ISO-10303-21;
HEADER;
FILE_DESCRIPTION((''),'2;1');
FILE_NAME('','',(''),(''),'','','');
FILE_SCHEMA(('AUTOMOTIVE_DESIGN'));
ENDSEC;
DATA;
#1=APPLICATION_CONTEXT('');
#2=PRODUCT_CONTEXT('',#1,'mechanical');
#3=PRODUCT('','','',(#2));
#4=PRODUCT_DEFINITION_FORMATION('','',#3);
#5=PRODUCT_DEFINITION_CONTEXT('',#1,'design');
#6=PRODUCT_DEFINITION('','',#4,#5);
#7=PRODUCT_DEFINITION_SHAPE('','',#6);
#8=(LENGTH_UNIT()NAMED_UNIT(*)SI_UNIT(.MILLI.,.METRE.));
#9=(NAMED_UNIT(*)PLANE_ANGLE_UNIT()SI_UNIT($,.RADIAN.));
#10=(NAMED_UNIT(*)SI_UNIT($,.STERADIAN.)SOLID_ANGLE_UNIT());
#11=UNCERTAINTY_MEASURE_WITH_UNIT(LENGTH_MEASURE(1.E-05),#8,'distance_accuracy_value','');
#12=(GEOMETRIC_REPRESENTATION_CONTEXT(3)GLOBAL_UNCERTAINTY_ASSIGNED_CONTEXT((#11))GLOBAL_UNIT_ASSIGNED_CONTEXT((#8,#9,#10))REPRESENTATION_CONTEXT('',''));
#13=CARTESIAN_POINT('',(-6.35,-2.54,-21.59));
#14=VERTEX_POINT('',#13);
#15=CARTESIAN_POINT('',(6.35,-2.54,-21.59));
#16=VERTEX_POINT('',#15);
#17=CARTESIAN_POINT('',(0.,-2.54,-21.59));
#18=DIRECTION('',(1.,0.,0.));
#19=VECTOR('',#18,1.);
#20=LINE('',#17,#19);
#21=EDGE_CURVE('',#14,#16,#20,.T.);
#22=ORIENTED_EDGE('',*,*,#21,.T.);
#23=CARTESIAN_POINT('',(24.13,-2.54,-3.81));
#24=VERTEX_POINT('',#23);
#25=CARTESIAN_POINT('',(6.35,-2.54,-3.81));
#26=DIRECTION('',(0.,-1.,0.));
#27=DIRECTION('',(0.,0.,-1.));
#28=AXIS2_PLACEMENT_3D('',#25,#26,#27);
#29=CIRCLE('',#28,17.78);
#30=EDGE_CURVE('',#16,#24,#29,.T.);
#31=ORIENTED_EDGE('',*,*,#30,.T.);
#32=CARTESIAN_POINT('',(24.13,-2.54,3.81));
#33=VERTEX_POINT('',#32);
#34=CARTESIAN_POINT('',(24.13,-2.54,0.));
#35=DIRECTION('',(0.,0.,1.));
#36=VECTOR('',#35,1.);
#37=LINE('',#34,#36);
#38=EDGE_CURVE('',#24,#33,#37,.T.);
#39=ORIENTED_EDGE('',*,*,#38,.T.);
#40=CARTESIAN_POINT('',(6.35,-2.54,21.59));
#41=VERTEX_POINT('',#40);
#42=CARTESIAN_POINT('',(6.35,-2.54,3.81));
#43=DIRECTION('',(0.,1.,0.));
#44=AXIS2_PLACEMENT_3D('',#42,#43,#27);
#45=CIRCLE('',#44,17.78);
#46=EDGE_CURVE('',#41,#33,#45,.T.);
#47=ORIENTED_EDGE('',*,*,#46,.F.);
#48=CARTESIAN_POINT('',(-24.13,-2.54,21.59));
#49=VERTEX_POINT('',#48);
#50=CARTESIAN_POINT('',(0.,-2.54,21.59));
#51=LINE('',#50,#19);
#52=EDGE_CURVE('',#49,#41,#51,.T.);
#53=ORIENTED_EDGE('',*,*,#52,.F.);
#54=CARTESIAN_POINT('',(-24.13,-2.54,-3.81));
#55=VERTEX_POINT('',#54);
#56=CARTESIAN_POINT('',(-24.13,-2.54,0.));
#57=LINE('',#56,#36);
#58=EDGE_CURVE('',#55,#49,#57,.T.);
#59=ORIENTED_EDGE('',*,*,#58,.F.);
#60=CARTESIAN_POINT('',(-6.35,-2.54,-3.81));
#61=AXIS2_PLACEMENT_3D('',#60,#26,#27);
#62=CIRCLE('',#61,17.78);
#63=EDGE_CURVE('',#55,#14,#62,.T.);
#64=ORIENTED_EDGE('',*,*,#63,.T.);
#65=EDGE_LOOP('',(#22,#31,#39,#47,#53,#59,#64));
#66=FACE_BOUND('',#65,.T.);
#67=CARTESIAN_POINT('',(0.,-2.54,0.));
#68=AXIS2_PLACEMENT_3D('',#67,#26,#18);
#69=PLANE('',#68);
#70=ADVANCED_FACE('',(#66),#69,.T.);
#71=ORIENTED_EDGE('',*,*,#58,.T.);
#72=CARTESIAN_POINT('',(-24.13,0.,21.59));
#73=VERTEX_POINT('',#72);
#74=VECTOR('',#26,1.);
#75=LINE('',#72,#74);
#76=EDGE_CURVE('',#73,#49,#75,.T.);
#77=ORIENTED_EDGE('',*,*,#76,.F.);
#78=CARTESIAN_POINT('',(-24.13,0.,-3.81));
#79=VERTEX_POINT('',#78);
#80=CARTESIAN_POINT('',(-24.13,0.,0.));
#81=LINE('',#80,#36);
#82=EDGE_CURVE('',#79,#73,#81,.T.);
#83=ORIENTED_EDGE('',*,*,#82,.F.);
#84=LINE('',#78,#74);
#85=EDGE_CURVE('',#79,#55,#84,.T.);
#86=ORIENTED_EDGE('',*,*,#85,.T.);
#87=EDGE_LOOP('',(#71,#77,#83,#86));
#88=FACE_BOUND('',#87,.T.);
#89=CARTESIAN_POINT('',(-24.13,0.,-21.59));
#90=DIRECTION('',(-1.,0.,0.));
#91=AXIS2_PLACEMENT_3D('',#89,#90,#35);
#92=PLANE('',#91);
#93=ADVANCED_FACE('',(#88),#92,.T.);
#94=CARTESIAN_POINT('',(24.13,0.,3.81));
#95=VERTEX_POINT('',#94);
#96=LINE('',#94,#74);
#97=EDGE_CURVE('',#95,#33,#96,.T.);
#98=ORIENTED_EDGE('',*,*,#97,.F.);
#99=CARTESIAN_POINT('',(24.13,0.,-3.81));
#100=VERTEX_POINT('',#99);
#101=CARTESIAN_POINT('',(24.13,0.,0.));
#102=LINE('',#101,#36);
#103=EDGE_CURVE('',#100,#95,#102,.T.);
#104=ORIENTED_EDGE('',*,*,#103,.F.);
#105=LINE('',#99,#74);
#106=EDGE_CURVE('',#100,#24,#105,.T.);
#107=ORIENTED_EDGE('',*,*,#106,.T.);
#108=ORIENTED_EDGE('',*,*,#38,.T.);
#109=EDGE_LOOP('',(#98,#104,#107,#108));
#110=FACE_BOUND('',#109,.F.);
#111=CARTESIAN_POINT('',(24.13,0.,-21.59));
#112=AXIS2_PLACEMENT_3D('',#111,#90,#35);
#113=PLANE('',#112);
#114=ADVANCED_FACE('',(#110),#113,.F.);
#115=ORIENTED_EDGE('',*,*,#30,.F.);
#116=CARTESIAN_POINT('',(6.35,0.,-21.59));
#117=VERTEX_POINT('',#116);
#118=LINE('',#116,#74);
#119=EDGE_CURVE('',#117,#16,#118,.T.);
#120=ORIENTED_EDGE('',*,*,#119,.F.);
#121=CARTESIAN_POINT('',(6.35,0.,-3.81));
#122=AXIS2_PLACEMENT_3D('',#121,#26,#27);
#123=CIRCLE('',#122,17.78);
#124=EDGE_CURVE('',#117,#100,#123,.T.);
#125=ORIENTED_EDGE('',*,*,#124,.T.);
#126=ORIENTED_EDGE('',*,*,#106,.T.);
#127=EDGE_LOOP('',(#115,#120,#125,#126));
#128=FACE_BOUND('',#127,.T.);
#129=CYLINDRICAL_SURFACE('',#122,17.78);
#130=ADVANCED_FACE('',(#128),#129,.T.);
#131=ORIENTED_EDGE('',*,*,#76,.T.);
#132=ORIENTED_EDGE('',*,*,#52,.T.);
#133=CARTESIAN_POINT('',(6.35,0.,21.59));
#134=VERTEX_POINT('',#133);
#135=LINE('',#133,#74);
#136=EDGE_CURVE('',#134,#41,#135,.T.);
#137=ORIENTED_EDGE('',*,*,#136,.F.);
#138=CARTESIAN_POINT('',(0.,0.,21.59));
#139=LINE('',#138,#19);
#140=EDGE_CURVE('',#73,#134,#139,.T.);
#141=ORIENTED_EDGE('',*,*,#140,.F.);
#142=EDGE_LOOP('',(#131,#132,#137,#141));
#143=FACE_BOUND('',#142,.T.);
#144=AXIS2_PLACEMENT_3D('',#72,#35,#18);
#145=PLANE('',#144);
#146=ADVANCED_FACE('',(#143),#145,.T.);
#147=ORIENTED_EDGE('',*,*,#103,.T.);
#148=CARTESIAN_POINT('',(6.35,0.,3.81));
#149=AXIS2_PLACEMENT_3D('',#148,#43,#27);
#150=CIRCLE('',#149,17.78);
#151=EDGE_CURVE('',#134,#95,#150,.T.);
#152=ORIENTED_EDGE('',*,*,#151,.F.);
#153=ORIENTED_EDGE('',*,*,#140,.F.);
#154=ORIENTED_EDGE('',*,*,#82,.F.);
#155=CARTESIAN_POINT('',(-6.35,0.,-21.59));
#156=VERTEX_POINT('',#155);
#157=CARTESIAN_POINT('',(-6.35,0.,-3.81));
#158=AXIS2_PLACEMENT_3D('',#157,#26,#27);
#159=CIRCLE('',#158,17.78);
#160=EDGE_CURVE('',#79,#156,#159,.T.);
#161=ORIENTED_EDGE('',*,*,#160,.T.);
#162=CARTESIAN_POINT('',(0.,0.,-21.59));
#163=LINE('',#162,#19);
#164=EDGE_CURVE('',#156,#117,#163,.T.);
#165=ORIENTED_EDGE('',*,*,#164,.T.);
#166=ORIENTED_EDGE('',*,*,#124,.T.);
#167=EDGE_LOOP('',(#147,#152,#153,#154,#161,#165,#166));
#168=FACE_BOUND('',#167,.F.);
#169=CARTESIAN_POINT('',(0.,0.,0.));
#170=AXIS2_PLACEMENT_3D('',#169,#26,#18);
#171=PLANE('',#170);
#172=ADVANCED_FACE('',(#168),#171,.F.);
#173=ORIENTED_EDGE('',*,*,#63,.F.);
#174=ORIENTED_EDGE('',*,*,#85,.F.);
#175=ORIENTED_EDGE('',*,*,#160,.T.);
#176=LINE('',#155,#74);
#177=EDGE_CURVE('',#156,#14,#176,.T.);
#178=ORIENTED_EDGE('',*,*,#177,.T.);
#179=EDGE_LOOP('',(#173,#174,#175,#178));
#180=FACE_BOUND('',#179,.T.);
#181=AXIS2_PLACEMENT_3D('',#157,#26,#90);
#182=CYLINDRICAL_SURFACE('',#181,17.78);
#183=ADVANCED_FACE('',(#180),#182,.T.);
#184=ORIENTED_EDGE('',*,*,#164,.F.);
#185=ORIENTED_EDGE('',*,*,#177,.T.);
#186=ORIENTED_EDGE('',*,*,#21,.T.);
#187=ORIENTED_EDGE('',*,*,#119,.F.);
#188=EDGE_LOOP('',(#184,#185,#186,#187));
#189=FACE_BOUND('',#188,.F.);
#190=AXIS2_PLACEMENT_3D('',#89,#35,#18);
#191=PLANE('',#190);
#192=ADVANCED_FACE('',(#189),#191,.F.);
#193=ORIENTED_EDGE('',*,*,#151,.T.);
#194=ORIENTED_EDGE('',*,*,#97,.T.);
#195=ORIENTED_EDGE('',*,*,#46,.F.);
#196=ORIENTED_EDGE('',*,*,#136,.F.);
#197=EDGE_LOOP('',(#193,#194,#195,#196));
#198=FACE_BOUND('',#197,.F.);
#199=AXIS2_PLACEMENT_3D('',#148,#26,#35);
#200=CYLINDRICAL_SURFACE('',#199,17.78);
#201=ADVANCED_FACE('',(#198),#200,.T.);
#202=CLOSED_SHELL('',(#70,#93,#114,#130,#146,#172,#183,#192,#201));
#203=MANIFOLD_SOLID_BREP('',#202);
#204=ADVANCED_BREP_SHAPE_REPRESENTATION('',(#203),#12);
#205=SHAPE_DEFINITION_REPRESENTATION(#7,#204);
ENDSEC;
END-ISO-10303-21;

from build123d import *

# Parameters (mm, degrees)
F0_W     = 48.26
F0_H     = 43.18
F1_DEPTH = 2.54
F2_R     = 17.78
F3_R     = 17.78


with BuildPart() as f1:
    # F0 (on Front) → F1 (new body)
    with BuildSketch(Plane.XZ):
        Rectangle(F0_W, F0_H)
    extrude(amount=F1_DEPTH)

    # F2
    f2_edges = [f1.edges().sort_by_distance(p)[0] for p in [
        (24.13, -1.27, -21.59),
        (-24.13, -1.27, -21.59),
    ]]
    fillet(f2_edges, radius=F2_R)

    # F3
    f3_edges = [f1.edges().sort_by_distance(p)[0] for p in [
        (24.13, -1.27, 21.59),
    ]]
    fillet(f3_edges, radius=F3_R)


solid = f1.part
